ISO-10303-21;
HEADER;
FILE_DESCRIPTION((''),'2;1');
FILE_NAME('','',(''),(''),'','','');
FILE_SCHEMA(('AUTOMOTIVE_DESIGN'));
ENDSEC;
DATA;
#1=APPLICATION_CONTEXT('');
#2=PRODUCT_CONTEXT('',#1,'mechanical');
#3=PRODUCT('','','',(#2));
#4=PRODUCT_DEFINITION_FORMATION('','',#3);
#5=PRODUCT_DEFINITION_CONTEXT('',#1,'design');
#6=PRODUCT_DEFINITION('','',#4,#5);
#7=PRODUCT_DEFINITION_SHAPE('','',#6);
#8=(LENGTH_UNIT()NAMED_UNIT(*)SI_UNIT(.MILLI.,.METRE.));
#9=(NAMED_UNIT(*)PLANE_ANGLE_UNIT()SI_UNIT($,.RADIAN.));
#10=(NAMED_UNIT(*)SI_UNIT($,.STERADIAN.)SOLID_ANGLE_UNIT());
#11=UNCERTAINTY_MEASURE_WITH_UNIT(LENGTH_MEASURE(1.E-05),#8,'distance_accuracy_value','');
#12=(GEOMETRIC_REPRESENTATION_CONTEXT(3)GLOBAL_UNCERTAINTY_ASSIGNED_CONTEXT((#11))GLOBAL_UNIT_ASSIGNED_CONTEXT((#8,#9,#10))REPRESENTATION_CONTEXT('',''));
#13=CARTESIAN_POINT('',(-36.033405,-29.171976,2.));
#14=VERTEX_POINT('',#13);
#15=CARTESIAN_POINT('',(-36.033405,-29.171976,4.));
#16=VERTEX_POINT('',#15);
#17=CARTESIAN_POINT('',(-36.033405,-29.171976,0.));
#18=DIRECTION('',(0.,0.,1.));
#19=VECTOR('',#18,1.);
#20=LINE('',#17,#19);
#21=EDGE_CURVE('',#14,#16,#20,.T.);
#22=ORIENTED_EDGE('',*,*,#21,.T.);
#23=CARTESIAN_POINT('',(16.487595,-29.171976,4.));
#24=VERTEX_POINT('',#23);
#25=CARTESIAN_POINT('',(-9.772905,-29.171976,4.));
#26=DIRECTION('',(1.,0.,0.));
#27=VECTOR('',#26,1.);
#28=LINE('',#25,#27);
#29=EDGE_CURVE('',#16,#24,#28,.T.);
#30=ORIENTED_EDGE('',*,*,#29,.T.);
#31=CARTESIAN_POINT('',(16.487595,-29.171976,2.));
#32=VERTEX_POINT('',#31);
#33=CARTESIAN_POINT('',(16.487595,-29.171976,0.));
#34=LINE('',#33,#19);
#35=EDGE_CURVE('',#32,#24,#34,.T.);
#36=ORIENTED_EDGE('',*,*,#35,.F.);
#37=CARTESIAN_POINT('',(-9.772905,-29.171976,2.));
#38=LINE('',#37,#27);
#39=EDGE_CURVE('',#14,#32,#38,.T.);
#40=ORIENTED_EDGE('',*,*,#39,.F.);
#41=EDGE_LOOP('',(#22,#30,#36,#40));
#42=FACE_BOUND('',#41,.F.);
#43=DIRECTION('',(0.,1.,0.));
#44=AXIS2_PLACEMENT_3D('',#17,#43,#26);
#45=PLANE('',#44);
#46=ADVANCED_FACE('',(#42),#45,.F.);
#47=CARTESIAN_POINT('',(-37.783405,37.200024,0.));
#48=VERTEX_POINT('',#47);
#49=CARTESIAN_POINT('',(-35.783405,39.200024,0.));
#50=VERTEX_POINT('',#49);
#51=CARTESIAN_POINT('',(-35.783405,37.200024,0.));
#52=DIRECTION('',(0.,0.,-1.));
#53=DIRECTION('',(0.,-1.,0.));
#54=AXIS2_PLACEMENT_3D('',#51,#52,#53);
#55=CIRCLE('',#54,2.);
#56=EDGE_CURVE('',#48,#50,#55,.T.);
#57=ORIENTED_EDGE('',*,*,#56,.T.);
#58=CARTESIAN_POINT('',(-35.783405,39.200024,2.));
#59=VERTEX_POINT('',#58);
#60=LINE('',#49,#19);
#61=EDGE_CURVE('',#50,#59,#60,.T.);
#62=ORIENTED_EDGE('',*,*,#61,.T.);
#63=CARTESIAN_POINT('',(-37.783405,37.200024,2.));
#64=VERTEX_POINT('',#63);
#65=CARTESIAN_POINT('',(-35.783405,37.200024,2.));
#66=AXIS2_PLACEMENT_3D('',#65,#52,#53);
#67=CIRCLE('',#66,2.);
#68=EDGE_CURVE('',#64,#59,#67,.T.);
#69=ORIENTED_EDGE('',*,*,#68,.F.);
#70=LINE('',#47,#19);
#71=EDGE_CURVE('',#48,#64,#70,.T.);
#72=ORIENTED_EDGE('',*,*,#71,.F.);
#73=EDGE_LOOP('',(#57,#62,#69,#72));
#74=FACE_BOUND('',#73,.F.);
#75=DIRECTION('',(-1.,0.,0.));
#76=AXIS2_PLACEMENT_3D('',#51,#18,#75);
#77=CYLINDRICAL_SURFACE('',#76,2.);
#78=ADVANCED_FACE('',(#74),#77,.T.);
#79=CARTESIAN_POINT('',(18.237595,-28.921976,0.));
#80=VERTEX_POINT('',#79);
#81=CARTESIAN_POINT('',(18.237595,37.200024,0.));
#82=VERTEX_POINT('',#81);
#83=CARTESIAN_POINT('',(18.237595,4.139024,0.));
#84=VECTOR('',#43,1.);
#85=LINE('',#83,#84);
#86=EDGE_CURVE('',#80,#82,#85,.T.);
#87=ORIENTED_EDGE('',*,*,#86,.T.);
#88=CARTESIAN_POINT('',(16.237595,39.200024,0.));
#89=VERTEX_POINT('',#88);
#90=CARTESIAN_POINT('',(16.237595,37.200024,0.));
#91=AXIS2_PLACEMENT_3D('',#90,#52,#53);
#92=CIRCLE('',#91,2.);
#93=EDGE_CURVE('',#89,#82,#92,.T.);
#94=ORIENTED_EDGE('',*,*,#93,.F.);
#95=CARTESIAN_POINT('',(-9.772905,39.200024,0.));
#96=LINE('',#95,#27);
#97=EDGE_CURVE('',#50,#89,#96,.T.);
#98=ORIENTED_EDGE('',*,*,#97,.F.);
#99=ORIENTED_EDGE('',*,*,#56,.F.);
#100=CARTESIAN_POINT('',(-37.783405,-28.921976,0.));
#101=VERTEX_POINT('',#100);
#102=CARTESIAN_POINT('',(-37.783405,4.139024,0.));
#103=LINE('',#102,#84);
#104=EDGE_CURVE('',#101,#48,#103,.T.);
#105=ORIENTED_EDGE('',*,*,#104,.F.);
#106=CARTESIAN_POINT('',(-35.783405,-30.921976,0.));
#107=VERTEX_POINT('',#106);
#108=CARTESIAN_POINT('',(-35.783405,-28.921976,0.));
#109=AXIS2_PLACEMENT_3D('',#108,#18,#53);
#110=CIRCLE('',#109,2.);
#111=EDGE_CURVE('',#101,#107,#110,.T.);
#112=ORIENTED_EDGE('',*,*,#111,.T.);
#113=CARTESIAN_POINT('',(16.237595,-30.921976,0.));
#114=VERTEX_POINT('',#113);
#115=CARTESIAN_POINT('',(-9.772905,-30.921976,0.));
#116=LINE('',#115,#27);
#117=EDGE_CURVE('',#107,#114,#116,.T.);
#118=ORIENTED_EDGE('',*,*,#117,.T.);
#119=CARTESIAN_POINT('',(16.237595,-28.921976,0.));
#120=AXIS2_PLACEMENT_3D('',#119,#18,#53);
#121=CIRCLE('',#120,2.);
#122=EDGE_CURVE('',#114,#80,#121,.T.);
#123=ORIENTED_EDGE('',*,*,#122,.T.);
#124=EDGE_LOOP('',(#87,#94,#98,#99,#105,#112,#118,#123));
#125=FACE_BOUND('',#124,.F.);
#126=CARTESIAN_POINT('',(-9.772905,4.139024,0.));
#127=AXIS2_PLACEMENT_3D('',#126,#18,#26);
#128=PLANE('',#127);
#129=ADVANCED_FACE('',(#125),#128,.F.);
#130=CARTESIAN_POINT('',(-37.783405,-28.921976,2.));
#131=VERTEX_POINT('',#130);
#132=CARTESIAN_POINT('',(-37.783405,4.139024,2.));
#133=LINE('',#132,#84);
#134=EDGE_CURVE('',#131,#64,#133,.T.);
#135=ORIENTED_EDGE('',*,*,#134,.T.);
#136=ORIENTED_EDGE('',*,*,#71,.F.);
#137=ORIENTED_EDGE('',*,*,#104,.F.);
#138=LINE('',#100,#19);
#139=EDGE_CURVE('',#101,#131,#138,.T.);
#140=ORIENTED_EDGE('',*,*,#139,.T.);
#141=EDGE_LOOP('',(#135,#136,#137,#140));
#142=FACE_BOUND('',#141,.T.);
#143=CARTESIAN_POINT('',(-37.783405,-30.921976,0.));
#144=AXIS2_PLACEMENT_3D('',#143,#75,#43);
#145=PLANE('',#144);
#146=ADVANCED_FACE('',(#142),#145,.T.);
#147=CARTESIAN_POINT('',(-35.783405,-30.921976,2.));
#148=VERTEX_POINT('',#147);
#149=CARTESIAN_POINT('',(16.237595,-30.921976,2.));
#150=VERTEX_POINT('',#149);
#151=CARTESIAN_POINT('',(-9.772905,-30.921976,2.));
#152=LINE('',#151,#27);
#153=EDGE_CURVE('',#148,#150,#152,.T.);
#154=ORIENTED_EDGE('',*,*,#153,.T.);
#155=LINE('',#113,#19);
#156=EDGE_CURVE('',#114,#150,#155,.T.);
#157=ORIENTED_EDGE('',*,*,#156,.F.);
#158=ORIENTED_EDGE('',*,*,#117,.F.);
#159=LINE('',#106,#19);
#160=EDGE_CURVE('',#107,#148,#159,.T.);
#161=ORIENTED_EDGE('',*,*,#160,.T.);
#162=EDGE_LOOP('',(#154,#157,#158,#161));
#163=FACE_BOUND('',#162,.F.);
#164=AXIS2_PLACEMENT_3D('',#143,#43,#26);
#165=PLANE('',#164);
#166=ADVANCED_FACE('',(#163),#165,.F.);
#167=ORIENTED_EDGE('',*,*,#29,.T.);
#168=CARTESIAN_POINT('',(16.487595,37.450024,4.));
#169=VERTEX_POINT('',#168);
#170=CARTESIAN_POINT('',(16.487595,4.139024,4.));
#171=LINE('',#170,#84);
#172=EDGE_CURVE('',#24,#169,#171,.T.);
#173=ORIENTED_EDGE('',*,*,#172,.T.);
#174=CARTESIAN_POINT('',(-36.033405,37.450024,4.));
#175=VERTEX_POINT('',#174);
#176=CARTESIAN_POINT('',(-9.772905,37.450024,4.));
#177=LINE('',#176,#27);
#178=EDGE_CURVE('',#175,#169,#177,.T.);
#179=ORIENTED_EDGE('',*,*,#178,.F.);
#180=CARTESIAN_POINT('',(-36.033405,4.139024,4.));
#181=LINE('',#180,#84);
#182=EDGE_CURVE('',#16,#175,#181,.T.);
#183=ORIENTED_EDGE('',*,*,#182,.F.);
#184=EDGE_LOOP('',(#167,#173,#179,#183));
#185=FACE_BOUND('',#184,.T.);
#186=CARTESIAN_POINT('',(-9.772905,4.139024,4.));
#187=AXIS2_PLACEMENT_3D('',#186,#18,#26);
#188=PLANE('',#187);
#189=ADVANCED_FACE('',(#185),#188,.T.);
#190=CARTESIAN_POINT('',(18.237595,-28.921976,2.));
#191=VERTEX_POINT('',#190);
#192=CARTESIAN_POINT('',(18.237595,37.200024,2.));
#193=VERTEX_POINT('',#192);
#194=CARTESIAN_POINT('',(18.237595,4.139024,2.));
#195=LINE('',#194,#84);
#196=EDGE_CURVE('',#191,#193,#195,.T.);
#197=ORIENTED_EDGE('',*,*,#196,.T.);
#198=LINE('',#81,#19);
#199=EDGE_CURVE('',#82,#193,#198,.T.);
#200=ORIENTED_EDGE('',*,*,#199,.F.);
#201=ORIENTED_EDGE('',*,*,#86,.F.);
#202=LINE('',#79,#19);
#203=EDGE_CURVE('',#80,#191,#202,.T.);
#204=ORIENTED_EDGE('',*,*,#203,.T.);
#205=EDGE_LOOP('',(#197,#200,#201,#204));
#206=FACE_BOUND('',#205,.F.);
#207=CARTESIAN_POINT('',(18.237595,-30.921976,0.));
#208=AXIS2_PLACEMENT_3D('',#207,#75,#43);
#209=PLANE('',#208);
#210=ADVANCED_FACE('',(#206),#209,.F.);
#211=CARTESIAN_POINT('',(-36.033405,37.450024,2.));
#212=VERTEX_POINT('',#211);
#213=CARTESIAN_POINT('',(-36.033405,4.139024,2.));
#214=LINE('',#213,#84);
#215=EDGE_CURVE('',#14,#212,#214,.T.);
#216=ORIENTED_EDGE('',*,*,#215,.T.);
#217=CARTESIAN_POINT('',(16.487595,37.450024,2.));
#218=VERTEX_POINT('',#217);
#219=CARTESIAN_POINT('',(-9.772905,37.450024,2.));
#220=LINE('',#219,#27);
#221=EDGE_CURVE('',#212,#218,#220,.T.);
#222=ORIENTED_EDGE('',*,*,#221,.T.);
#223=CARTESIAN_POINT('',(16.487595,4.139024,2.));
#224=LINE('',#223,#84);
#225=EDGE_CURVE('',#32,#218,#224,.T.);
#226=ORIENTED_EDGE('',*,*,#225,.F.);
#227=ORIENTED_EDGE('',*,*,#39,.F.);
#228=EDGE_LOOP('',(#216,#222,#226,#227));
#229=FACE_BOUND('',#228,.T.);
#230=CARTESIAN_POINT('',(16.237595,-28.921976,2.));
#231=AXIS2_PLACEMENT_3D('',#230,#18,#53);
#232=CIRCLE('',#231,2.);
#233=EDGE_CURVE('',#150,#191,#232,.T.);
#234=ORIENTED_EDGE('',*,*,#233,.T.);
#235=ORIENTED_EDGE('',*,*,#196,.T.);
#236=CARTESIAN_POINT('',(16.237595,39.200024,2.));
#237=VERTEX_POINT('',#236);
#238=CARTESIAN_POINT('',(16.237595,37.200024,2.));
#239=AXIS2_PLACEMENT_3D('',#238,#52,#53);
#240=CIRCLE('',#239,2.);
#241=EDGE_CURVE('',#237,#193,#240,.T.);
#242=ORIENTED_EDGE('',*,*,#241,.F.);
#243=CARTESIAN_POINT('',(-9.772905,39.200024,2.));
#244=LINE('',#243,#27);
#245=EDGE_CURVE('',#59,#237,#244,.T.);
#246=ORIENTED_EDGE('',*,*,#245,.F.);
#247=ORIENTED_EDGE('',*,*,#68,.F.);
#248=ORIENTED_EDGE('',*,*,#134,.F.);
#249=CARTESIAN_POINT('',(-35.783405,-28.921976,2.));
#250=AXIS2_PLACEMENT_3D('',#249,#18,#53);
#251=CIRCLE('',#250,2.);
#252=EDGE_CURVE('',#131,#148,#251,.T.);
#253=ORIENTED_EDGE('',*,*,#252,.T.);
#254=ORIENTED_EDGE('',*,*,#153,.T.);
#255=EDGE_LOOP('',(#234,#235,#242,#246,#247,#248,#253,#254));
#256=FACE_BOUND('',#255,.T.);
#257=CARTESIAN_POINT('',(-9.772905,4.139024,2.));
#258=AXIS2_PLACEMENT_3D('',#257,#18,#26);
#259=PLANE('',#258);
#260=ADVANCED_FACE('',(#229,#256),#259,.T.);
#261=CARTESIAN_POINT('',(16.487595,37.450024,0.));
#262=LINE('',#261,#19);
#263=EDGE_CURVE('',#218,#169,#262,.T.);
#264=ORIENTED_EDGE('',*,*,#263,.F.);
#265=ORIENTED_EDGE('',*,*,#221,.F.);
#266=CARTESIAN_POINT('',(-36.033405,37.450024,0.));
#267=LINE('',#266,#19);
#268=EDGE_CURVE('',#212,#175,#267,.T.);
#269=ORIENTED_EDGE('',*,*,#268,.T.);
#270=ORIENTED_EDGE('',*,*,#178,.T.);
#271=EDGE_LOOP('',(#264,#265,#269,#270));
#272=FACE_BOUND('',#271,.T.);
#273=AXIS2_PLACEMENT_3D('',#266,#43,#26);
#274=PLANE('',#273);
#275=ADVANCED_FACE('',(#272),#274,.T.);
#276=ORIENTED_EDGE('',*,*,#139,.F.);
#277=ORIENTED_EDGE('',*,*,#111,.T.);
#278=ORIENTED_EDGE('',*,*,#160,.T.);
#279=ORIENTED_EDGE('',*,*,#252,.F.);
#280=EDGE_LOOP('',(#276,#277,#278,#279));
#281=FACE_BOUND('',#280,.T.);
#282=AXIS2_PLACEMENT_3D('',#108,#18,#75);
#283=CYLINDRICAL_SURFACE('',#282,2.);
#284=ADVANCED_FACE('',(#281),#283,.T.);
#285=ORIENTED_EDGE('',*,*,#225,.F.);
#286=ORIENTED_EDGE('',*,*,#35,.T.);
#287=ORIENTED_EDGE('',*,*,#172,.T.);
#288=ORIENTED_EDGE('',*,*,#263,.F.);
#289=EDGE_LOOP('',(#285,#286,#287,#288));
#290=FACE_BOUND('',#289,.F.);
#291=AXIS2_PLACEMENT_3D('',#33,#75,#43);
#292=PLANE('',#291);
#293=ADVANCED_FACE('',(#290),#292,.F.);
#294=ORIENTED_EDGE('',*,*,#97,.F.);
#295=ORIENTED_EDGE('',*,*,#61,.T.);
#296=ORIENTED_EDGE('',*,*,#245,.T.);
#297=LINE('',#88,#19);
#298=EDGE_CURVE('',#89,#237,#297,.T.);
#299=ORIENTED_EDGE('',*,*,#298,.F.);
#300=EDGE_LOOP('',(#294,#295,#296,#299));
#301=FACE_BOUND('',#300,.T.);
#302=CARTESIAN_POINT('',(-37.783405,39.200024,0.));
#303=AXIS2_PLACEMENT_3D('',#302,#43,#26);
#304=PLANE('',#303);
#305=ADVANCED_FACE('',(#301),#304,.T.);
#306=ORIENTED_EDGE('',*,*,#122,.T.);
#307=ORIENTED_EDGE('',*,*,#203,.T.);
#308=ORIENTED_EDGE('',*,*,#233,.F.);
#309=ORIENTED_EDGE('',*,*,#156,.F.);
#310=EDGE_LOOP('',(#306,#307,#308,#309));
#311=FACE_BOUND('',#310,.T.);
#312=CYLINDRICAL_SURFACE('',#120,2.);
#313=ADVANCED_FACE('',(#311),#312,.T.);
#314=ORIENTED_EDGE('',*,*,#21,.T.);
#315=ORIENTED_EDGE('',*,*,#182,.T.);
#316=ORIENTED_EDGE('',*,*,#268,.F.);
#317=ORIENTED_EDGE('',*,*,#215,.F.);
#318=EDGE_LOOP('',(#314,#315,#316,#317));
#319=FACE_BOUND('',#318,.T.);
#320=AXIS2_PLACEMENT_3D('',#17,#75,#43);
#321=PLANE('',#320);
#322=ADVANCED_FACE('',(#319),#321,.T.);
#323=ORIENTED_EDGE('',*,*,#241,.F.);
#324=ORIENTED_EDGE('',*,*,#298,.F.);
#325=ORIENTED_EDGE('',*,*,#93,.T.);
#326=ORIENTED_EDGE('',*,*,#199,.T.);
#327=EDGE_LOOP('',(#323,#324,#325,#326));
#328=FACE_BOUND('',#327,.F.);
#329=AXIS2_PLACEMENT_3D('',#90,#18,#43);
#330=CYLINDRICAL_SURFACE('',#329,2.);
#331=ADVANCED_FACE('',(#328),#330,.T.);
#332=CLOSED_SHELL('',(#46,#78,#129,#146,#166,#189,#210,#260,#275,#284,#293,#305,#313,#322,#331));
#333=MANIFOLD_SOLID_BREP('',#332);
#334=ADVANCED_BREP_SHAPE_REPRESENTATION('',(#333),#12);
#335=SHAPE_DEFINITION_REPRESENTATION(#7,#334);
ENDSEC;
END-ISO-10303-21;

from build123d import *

# Parameters (mm, degrees)
F0_W     = 56.021
F0_H     = 70.122
F0_W_2   = 52.521
F0_H_2   = 66.622
F1_DEPTH = 2
F2_R     = 2
F3_DEPTH = 4


with BuildPart() as f1:
    # F0 (on Top) → F1 (new body)
    with BuildSketch(Plane.XY):
        with Locations((-9.772905, 4.139024)):
            Rectangle(F0_W, F0_H)
        with Locations((-9.772905, 4.139024)):
            Rectangle(F0_W_2, F0_H_2, mode=Mode.SUBTRACT)
    extrude(amount=F1_DEPTH)

    # F2
    f2_edges = [f1.edges().sort_by_distance(p)[0] for p in [
        (-37.783405, -30.921976, 1),
        (-37.783405, 39.200024, 1),
        (18.237595, 39.200024, 1),
        (18.237595, -30.921976, 1),
    ]]
    fillet(f2_edges, radius=F2_R)

    # F0 (on Top) → F3 (join)
    with BuildSketch(Plane.XY):
        with Locations((-9.772905, 4.139024)):
            Rectangle(F0_W_2, F0_H_2)
    extrude(amount=F3_DEPTH)


solid = f1.part
